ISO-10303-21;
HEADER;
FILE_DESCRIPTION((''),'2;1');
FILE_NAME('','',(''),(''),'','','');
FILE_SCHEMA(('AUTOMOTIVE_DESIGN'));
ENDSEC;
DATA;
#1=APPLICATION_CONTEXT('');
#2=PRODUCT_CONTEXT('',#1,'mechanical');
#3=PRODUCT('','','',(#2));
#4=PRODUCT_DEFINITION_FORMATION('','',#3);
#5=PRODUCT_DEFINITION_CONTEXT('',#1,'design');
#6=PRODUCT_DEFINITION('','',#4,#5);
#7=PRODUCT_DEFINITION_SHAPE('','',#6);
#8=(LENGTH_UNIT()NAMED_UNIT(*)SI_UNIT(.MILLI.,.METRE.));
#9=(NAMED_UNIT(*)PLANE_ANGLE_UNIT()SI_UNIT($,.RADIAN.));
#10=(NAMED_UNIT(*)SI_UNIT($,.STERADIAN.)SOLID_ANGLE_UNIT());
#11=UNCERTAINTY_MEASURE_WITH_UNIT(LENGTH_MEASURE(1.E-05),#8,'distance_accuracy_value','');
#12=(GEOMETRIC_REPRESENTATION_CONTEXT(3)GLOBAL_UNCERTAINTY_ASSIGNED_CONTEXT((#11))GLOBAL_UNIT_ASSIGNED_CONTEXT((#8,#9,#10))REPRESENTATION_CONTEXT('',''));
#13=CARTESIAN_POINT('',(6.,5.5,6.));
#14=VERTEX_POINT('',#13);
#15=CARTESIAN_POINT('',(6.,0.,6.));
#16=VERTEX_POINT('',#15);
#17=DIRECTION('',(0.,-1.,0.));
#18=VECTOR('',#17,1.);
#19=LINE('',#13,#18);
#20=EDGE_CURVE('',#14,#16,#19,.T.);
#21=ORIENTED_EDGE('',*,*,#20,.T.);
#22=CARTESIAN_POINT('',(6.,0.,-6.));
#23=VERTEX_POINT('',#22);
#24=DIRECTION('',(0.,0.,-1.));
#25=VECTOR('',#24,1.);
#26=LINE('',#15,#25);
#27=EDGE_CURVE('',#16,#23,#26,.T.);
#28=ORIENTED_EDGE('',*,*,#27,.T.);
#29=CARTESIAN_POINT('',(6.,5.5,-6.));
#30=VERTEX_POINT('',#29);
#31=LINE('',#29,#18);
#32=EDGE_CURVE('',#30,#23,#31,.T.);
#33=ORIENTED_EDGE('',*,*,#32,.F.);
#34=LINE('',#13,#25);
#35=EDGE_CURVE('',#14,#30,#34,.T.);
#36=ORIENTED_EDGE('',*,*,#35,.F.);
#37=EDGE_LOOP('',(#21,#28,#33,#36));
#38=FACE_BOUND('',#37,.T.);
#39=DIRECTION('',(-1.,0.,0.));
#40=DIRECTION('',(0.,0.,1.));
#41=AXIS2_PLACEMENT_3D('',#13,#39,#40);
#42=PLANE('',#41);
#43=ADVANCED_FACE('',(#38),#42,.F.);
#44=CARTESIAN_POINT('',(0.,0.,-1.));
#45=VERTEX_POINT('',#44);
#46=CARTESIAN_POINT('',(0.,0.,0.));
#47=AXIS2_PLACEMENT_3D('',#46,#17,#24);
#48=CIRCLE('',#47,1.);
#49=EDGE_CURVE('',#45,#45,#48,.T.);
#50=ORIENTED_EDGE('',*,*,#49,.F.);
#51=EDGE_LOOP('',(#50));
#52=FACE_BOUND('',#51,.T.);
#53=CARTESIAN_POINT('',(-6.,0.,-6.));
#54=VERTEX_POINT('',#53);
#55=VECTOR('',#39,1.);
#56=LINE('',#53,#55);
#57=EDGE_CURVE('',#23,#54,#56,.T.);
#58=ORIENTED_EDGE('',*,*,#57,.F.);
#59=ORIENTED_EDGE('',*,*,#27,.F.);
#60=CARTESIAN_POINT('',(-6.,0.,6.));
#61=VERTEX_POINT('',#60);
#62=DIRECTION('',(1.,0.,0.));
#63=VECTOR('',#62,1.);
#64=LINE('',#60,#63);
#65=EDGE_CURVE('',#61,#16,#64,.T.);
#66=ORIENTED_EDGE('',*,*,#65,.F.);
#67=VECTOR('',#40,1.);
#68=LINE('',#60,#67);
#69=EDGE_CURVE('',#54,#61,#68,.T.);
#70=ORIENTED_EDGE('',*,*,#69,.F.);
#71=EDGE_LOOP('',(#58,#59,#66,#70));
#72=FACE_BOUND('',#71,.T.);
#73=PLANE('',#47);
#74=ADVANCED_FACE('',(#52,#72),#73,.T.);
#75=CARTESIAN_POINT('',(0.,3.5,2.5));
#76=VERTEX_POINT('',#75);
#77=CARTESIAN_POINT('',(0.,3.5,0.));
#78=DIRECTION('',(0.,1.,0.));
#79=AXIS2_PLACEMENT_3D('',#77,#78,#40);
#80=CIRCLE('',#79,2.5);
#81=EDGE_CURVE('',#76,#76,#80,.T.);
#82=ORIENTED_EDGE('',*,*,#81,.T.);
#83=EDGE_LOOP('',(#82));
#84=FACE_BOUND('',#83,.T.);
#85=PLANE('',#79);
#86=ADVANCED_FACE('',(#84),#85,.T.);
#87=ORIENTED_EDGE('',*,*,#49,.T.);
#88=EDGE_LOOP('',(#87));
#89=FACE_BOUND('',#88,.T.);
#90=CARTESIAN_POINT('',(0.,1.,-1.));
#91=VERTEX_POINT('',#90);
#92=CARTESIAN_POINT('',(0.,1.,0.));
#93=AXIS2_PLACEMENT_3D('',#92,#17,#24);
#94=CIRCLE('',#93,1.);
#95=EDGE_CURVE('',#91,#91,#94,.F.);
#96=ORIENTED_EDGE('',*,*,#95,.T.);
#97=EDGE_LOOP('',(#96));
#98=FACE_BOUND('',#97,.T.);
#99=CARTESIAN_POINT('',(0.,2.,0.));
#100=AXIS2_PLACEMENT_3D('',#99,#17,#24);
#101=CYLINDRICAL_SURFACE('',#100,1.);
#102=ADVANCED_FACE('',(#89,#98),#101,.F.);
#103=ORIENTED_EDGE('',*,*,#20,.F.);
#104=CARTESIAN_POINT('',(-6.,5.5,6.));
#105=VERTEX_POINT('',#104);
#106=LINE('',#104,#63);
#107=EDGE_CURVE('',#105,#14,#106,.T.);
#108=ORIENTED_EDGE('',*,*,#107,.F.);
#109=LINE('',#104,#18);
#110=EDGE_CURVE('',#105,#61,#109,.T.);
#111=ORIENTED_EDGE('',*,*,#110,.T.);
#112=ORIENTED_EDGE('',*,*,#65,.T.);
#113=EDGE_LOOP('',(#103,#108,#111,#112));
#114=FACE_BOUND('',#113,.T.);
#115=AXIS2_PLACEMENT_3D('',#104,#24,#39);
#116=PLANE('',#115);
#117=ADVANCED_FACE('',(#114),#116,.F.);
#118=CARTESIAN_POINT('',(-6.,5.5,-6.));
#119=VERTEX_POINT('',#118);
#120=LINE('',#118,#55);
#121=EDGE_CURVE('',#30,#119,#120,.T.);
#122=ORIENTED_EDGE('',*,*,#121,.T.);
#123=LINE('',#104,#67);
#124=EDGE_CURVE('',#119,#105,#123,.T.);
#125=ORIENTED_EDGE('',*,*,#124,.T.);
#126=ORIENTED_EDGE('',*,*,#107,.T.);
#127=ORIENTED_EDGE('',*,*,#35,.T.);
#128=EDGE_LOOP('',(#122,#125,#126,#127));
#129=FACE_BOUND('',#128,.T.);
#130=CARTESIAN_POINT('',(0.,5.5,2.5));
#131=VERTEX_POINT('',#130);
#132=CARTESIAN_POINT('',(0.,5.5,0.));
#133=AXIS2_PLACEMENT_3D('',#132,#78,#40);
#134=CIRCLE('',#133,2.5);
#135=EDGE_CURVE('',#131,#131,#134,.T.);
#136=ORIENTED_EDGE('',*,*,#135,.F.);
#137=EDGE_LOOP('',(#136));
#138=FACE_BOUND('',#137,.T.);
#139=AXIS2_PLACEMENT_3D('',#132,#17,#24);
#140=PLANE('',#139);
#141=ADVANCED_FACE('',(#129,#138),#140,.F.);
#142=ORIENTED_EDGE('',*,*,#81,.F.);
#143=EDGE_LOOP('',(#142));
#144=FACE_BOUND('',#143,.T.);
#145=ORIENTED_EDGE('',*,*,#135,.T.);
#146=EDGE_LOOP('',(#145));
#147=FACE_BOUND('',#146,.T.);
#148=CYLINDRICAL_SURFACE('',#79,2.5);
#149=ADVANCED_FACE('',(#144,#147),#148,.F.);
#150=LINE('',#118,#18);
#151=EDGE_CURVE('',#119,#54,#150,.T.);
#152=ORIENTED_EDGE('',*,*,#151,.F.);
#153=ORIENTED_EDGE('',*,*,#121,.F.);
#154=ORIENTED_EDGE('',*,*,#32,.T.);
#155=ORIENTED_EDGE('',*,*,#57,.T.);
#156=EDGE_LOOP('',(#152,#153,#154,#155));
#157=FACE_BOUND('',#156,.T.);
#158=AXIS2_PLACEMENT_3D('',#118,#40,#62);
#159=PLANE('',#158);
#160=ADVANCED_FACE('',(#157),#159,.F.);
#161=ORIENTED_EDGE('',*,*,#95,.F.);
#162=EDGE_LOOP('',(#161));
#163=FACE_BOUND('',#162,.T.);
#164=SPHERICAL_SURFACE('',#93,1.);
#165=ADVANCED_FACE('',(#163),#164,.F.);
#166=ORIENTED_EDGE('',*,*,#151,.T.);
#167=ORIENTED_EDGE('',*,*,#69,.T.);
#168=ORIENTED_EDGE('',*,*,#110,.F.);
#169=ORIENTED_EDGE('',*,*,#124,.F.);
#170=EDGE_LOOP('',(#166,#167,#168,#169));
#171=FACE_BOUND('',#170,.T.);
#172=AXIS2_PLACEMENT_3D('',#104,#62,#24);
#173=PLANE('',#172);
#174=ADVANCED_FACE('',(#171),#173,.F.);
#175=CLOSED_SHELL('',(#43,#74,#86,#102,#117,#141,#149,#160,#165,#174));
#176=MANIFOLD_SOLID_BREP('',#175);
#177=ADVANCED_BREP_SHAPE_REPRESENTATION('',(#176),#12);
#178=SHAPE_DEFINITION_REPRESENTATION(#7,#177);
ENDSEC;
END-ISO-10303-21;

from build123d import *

# Parameters (mm, degrees)
SKETCH1_W           = 12
SKETCH1_H           = 12
BOSS_EXTRUDE1_DEPTH = 5.5
SKETCH2_R           = 2.5
CUT_EXTRUDE1_DEPTH  = 2
SKETCH4_R           = 1
CUT_EXTRUDE3_DEPTH  = 2
FILLET2_R           = 1


with BuildPart() as part:
    # Sketch1 → Boss-Extrude1 (new body)
    with BuildSketch(Plane(origin=(0, 0, 0), x_dir=(1, 0, 0), z_dir=(0, 1, 0))):
        Rectangle(SKETCH1_W, SKETCH1_H)
    extrude(amount=BOSS_EXTRUDE1_DEPTH)

    # Sketch2 → Cut-Extrude1 (cut)
    with BuildSketch(Plane(origin=(0, 5.5, 0), x_dir=(1, 0, 0), z_dir=(0, 1, 0))):
        Circle(SKETCH2_R)
    extrude(amount=-CUT_EXTRUDE1_DEPTH, mode=Mode.SUBTRACT)

    # Sketch4 → Cut-Extrude3 (cut)
    with BuildSketch(Plane.XZ):
        Circle(SKETCH4_R)
    extrude(amount=-CUT_EXTRUDE3_DEPTH, mode=Mode.SUBTRACT)

    # Fillet2
    fillet2_edges = [part.edges().sort_by_distance(p)[0] for p in [
        (-1, 2, 0),
    ]]
    fillet(fillet2_edges, radius=FILLET2_R)


solid = part.part
